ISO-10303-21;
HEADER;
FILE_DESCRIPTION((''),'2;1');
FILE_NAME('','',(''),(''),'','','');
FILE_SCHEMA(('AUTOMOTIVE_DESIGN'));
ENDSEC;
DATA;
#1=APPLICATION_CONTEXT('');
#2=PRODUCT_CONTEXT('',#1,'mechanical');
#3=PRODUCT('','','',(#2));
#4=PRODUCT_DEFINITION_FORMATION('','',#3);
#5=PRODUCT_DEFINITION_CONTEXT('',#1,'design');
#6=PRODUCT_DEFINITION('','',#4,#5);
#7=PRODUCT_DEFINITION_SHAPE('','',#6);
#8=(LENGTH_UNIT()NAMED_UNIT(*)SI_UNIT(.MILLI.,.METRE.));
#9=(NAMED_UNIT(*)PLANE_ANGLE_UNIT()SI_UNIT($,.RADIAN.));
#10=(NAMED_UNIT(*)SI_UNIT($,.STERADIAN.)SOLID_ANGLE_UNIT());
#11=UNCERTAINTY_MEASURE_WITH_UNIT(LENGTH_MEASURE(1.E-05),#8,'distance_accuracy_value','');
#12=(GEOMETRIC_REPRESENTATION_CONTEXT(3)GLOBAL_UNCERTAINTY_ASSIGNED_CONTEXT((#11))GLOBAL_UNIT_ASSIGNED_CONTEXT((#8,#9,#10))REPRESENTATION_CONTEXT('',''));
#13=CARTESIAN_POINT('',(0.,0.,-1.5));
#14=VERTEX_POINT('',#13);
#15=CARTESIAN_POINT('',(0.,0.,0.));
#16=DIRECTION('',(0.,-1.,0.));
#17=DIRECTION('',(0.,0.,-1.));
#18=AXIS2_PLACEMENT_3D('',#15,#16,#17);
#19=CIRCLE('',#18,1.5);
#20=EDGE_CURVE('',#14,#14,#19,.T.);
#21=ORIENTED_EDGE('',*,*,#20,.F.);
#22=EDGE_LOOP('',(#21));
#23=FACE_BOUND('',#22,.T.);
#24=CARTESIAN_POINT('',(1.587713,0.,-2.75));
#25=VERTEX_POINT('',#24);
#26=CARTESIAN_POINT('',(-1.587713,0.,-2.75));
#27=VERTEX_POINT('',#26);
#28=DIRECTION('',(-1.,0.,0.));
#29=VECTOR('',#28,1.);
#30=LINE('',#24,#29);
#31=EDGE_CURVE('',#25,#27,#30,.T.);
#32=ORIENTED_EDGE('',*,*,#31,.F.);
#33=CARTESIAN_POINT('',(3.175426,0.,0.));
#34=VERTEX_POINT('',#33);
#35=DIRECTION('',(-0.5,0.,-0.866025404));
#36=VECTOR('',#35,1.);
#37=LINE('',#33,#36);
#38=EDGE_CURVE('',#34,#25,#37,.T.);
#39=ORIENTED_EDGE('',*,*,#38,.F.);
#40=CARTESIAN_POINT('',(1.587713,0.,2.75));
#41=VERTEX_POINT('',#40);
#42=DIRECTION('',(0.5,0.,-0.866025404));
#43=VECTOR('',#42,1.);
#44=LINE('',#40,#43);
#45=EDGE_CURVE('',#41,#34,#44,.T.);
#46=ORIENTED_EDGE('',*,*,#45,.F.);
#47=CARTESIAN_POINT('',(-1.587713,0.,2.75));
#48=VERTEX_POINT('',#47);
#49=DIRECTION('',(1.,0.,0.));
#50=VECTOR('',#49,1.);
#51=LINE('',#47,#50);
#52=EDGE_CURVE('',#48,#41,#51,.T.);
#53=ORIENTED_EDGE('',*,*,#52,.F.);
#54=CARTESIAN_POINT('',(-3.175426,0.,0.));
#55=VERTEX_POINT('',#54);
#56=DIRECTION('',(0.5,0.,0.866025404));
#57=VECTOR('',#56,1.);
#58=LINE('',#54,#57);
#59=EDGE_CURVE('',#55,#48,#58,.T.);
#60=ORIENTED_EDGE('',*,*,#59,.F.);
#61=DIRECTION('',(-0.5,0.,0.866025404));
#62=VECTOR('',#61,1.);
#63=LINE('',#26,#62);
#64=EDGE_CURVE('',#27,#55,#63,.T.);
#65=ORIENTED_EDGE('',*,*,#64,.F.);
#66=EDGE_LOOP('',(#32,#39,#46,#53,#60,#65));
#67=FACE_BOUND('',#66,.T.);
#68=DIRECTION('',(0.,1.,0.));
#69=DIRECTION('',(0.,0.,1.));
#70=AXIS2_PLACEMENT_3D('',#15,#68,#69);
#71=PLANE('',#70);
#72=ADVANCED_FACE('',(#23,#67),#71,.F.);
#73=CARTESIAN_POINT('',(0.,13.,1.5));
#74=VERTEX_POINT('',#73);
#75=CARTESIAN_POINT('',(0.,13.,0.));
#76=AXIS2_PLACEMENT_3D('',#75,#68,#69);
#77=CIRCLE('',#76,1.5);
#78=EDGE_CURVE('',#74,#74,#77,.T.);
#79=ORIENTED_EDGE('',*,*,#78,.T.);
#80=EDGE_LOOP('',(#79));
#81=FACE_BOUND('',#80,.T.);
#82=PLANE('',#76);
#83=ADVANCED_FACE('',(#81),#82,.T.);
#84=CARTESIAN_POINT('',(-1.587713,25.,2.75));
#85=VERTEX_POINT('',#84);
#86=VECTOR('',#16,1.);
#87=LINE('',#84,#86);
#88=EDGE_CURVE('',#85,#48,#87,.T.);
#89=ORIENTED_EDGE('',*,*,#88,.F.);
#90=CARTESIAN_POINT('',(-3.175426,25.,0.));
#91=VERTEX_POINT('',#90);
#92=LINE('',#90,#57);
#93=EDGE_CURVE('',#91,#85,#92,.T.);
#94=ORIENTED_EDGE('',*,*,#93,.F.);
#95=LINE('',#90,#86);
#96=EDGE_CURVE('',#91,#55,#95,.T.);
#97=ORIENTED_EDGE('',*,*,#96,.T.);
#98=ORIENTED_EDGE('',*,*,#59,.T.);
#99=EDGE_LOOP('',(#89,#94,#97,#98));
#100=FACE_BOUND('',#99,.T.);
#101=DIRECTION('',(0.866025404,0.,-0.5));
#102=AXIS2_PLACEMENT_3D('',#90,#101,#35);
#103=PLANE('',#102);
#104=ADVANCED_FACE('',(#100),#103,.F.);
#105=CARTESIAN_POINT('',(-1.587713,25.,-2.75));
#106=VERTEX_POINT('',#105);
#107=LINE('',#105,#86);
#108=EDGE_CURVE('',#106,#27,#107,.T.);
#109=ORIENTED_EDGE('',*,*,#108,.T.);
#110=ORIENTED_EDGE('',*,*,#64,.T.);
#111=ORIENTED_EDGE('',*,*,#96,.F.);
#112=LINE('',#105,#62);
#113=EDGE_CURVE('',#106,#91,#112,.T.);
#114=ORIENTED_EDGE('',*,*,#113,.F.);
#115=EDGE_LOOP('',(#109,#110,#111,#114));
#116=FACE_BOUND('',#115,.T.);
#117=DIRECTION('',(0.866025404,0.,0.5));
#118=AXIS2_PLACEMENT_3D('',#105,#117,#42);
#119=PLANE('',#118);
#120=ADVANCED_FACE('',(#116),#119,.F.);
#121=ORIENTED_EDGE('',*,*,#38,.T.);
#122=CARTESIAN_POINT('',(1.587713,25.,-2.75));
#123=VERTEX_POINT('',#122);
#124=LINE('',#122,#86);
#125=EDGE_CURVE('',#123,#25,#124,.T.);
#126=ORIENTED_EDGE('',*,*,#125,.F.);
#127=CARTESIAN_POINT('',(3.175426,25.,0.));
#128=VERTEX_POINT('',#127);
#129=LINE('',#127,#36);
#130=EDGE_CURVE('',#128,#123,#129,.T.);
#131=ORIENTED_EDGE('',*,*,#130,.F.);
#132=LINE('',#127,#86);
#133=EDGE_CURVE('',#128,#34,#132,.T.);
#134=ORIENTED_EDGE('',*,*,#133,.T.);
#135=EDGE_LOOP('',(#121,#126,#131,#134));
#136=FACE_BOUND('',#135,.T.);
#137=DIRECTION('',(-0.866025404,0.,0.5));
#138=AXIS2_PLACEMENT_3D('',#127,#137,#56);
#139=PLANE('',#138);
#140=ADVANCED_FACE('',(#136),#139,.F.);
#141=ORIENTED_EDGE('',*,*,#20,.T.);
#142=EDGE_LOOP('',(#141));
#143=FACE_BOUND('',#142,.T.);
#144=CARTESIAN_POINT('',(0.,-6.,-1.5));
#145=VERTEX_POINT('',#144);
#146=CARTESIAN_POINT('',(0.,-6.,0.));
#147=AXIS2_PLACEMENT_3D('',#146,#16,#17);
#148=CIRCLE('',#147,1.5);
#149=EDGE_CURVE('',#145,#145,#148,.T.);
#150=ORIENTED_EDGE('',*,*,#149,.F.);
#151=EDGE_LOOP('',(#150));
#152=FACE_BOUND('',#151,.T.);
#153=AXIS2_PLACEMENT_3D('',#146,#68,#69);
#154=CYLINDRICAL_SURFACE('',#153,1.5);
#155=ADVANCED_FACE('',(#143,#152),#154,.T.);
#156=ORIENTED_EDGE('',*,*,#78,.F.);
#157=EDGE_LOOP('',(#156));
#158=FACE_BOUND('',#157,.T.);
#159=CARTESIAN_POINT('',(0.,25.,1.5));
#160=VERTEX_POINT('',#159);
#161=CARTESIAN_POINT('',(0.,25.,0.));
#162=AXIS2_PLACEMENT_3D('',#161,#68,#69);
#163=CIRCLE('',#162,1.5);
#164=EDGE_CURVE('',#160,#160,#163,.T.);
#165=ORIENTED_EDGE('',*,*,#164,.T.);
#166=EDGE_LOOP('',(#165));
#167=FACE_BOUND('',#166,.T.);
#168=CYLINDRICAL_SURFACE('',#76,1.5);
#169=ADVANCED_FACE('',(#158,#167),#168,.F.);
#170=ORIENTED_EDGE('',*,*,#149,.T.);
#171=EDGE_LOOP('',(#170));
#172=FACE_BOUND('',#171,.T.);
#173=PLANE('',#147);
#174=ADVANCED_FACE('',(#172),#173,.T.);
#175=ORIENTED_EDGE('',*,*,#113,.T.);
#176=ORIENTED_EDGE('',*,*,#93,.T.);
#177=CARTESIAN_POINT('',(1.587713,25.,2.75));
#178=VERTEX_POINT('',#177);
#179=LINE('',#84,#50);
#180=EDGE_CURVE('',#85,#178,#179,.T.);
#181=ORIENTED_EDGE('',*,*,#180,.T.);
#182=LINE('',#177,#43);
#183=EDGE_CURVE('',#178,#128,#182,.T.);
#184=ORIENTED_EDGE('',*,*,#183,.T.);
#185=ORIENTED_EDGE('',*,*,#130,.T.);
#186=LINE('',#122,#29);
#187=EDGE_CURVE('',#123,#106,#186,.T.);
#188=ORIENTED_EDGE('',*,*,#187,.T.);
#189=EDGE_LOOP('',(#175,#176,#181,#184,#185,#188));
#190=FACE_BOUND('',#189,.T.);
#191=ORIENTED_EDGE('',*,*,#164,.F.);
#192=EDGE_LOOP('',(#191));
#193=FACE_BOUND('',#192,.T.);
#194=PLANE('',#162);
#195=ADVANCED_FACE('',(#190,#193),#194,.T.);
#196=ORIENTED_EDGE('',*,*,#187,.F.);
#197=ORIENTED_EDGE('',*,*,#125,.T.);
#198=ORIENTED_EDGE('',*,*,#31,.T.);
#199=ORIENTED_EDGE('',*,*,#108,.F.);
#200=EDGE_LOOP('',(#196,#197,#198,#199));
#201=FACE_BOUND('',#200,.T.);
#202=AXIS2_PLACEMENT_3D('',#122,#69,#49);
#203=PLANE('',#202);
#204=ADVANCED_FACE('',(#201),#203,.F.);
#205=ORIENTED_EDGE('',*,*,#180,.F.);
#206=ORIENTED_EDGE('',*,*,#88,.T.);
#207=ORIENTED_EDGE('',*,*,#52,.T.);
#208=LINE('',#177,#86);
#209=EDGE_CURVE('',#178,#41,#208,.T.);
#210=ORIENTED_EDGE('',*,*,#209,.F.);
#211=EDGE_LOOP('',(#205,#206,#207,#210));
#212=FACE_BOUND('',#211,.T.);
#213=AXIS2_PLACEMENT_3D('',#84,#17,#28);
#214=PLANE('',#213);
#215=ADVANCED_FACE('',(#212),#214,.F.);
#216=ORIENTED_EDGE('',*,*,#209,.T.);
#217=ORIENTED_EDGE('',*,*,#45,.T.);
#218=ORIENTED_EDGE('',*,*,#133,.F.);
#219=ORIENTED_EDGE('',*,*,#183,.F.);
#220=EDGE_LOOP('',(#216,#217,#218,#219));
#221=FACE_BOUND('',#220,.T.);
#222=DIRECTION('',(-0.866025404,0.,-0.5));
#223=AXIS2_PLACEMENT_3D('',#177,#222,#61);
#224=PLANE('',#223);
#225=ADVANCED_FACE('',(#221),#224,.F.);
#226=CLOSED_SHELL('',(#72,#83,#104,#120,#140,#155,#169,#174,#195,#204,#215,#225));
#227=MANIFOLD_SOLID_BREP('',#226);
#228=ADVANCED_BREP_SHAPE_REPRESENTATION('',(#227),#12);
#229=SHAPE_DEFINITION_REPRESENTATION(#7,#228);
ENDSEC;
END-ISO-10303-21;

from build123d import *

# Parameters (mm, degrees)
BOSS_EXTRUDE1_DEPTH = 25
SKETCH2_R           = 1.5
CUT_EXTRUDE1_DEPTH  = 12
SKETCH3_R           = 1.5
BOSS_EXTRUDE2_DEPTH = 6


with BuildPart() as part:
    # Sketch1 → Boss-Extrude1 (new body)
    with BuildSketch(Plane(origin=(0, 0, 0), x_dir=(1, 0, 0), z_dir=(0, 1, 0))):
        Polygon((3.175426481, 0), (1.58771324, 2.75), (-1.58771324, 2.75), (-3.175426481, 0), (-1.58771324, -2.75), (1.58771324, -2.75), align=None)
    extrude(amount=BOSS_EXTRUDE1_DEPTH)

    # Sketch2 → Cut-Extrude1 (cut)
    with BuildSketch(Plane(origin=(0, 25, 0), x_dir=(1, 0, 0), z_dir=(0, 1, 0))):
        with Locations(Location((0, 0, 0), (0, 0, 270))):
            Circle(SKETCH2_R)
    extrude(amount=-CUT_EXTRUDE1_DEPTH, mode=Mode.SUBTRACT)

    # Sketch3 → Boss-Extrude2 (add)
    with BuildSketch(Plane(origin=(0, 0, 0), x_dir=(-1, 0, 0), z_dir=(0, -1, 0))):
        with Locations(Location((0, 0, 0), (0, 0, 270))):
            Circle(SKETCH3_R)
    extrude(amount=BOSS_EXTRUDE2_DEPTH)


solid = part.part
